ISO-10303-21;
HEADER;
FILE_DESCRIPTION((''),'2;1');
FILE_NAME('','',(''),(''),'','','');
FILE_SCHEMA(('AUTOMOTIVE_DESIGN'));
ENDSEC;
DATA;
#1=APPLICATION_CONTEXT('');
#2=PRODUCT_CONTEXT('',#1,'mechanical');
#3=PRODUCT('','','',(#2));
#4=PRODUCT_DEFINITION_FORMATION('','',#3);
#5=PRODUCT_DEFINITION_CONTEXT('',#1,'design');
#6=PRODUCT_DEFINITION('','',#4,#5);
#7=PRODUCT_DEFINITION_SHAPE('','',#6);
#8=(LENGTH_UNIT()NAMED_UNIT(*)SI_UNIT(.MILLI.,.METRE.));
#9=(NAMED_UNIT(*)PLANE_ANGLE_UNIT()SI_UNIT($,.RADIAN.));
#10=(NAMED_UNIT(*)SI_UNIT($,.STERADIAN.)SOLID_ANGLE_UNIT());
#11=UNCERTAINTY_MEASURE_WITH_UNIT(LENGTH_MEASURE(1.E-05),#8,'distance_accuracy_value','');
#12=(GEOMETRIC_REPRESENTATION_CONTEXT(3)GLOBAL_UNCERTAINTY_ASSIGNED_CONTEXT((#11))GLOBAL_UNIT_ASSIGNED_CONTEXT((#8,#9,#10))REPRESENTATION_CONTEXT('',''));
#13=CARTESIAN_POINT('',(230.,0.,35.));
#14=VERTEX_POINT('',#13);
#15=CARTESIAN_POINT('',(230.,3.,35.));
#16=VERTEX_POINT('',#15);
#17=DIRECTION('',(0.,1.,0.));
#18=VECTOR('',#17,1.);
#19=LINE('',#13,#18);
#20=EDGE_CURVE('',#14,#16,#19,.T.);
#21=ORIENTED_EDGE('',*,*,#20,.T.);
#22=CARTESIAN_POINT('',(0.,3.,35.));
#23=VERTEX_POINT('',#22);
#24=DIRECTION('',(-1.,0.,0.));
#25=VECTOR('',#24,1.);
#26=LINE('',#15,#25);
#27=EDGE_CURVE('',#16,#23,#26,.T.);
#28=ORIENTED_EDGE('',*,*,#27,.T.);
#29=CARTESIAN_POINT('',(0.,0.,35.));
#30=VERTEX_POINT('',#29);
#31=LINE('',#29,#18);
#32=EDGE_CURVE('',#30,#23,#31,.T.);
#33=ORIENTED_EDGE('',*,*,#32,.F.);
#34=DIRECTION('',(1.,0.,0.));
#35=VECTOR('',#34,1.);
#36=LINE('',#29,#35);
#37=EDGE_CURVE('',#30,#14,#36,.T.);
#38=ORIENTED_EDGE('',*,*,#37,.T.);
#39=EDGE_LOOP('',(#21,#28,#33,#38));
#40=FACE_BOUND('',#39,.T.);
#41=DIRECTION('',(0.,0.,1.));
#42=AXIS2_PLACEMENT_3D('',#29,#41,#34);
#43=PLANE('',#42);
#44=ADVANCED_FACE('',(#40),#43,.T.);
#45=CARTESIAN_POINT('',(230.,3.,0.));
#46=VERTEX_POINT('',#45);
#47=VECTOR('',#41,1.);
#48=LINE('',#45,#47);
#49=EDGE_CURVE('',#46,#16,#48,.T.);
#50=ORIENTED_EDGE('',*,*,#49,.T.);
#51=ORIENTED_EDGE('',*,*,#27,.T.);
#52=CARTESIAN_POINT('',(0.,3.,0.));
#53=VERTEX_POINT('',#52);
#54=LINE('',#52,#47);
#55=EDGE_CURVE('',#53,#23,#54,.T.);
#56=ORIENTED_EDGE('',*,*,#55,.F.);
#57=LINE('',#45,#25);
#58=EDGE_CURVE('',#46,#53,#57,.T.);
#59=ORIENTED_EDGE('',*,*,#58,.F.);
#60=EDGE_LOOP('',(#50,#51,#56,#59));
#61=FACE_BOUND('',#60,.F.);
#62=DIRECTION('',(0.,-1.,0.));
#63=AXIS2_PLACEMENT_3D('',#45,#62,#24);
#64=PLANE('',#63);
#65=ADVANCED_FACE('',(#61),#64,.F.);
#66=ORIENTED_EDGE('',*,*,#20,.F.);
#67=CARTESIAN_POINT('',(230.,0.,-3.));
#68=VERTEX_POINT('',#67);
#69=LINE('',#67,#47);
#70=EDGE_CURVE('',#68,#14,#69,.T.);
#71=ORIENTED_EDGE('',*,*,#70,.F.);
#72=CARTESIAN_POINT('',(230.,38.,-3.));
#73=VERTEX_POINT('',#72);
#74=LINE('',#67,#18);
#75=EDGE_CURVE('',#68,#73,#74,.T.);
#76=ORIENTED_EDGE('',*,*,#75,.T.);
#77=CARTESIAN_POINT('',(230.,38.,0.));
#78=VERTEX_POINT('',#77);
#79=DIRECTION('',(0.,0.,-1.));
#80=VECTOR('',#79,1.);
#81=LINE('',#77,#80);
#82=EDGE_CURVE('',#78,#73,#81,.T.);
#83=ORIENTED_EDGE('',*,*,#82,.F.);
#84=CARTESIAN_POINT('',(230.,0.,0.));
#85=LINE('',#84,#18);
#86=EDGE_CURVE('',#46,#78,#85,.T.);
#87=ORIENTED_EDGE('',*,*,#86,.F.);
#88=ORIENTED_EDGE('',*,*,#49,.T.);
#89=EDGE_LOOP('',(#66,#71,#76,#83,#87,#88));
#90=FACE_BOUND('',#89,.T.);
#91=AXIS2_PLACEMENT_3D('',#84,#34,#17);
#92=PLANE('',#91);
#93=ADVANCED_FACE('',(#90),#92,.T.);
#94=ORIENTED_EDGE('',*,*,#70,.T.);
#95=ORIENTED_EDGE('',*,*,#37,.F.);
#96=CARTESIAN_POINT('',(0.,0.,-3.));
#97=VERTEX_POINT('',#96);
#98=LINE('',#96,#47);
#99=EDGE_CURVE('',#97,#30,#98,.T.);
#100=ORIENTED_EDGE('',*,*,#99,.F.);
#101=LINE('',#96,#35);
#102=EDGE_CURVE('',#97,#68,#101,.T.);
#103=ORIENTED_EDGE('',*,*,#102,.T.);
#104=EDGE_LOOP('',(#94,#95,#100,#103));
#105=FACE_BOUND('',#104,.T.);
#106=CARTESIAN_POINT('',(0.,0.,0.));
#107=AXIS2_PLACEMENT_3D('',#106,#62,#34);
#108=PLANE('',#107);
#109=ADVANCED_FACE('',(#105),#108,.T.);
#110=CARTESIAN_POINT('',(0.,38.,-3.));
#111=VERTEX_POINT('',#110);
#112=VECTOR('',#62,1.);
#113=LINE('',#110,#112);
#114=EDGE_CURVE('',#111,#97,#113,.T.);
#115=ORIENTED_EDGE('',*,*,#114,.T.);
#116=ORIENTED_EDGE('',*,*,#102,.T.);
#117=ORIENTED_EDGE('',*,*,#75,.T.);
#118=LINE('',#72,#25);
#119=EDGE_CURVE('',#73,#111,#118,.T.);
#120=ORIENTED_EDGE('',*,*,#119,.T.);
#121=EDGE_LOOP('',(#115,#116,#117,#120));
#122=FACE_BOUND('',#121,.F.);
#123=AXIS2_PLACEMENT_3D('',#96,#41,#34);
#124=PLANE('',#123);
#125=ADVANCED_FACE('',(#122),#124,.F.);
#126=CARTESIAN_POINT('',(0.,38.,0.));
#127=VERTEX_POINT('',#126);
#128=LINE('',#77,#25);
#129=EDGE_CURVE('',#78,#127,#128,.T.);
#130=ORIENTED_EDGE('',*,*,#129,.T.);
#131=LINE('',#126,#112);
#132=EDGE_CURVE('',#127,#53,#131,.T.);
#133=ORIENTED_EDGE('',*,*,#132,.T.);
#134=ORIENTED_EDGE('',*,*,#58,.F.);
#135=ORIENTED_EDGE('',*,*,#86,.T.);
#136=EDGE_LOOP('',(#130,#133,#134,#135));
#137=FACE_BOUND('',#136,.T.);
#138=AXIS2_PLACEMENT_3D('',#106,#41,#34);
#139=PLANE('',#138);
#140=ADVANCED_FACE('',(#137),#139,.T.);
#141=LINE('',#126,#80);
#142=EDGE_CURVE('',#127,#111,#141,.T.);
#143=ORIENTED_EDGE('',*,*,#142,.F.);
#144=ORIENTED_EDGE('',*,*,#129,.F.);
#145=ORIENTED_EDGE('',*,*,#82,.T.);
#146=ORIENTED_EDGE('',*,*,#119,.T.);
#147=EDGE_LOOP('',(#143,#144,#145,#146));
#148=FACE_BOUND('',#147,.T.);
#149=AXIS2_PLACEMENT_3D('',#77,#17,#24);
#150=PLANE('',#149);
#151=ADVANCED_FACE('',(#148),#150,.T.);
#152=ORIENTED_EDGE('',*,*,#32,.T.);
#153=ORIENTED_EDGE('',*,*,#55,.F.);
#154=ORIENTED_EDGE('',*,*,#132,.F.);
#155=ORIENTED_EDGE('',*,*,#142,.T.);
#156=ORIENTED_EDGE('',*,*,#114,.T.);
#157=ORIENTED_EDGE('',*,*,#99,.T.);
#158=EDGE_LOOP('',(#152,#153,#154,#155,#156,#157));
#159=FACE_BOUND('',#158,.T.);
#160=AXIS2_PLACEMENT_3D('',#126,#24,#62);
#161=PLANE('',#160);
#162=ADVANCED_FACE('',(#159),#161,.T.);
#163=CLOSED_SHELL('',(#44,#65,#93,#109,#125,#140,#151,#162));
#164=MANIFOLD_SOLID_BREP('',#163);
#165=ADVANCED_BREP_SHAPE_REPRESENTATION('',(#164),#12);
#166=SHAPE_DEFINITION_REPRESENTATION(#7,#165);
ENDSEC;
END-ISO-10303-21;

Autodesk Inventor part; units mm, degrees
ref_plane "YZ Plane" through (0, 0, 0) normal (1, 0, 0) x (0, 1, 0)
ref_plane "XZ Plane" through (0, 0, 0) normal (0, 1, 0) x (-1, 0, 0)
ref_plane "XY Plane" through (0, 0, 0) normal (0, 0, 1) x (1, 0, 0)
sketch "Sketch1" plane through (0, 0, 0) normal (0, 0, 1) x (1, 0, 0)
  line L0 (0, 0) -> (230, 0)
  line L1 (230, 0) -> (230, 38)
  line L2 (230, 38) -> (0, 38)
  line L3 (0, 38) -> (0, 0)
  dimension "d0" = 230
  dimension "d1" = 38
extrude "Extrusion1" add sketch "Sketch1" against normal blind 3
sketch "Sketch2" plane through (0, 0, 0) normal (0, 0, 1) x (1, 0, 0)
  line L0 (0, 0) -> (0, 38) projected
  line L1 (0, 0) -> (230, 0)
  line L2 (230, 0) -> (230, 3)
  line L3 (230, 3) -> (0, 3)
  line L4 (0, 3) -> (0, 0)
  dimension "d4" = 230
  dimension "d5" = 3
extrude "Extrusion2" add sketch "Sketch2" along normal blind 35
properties part number "AluminiumAngle"
